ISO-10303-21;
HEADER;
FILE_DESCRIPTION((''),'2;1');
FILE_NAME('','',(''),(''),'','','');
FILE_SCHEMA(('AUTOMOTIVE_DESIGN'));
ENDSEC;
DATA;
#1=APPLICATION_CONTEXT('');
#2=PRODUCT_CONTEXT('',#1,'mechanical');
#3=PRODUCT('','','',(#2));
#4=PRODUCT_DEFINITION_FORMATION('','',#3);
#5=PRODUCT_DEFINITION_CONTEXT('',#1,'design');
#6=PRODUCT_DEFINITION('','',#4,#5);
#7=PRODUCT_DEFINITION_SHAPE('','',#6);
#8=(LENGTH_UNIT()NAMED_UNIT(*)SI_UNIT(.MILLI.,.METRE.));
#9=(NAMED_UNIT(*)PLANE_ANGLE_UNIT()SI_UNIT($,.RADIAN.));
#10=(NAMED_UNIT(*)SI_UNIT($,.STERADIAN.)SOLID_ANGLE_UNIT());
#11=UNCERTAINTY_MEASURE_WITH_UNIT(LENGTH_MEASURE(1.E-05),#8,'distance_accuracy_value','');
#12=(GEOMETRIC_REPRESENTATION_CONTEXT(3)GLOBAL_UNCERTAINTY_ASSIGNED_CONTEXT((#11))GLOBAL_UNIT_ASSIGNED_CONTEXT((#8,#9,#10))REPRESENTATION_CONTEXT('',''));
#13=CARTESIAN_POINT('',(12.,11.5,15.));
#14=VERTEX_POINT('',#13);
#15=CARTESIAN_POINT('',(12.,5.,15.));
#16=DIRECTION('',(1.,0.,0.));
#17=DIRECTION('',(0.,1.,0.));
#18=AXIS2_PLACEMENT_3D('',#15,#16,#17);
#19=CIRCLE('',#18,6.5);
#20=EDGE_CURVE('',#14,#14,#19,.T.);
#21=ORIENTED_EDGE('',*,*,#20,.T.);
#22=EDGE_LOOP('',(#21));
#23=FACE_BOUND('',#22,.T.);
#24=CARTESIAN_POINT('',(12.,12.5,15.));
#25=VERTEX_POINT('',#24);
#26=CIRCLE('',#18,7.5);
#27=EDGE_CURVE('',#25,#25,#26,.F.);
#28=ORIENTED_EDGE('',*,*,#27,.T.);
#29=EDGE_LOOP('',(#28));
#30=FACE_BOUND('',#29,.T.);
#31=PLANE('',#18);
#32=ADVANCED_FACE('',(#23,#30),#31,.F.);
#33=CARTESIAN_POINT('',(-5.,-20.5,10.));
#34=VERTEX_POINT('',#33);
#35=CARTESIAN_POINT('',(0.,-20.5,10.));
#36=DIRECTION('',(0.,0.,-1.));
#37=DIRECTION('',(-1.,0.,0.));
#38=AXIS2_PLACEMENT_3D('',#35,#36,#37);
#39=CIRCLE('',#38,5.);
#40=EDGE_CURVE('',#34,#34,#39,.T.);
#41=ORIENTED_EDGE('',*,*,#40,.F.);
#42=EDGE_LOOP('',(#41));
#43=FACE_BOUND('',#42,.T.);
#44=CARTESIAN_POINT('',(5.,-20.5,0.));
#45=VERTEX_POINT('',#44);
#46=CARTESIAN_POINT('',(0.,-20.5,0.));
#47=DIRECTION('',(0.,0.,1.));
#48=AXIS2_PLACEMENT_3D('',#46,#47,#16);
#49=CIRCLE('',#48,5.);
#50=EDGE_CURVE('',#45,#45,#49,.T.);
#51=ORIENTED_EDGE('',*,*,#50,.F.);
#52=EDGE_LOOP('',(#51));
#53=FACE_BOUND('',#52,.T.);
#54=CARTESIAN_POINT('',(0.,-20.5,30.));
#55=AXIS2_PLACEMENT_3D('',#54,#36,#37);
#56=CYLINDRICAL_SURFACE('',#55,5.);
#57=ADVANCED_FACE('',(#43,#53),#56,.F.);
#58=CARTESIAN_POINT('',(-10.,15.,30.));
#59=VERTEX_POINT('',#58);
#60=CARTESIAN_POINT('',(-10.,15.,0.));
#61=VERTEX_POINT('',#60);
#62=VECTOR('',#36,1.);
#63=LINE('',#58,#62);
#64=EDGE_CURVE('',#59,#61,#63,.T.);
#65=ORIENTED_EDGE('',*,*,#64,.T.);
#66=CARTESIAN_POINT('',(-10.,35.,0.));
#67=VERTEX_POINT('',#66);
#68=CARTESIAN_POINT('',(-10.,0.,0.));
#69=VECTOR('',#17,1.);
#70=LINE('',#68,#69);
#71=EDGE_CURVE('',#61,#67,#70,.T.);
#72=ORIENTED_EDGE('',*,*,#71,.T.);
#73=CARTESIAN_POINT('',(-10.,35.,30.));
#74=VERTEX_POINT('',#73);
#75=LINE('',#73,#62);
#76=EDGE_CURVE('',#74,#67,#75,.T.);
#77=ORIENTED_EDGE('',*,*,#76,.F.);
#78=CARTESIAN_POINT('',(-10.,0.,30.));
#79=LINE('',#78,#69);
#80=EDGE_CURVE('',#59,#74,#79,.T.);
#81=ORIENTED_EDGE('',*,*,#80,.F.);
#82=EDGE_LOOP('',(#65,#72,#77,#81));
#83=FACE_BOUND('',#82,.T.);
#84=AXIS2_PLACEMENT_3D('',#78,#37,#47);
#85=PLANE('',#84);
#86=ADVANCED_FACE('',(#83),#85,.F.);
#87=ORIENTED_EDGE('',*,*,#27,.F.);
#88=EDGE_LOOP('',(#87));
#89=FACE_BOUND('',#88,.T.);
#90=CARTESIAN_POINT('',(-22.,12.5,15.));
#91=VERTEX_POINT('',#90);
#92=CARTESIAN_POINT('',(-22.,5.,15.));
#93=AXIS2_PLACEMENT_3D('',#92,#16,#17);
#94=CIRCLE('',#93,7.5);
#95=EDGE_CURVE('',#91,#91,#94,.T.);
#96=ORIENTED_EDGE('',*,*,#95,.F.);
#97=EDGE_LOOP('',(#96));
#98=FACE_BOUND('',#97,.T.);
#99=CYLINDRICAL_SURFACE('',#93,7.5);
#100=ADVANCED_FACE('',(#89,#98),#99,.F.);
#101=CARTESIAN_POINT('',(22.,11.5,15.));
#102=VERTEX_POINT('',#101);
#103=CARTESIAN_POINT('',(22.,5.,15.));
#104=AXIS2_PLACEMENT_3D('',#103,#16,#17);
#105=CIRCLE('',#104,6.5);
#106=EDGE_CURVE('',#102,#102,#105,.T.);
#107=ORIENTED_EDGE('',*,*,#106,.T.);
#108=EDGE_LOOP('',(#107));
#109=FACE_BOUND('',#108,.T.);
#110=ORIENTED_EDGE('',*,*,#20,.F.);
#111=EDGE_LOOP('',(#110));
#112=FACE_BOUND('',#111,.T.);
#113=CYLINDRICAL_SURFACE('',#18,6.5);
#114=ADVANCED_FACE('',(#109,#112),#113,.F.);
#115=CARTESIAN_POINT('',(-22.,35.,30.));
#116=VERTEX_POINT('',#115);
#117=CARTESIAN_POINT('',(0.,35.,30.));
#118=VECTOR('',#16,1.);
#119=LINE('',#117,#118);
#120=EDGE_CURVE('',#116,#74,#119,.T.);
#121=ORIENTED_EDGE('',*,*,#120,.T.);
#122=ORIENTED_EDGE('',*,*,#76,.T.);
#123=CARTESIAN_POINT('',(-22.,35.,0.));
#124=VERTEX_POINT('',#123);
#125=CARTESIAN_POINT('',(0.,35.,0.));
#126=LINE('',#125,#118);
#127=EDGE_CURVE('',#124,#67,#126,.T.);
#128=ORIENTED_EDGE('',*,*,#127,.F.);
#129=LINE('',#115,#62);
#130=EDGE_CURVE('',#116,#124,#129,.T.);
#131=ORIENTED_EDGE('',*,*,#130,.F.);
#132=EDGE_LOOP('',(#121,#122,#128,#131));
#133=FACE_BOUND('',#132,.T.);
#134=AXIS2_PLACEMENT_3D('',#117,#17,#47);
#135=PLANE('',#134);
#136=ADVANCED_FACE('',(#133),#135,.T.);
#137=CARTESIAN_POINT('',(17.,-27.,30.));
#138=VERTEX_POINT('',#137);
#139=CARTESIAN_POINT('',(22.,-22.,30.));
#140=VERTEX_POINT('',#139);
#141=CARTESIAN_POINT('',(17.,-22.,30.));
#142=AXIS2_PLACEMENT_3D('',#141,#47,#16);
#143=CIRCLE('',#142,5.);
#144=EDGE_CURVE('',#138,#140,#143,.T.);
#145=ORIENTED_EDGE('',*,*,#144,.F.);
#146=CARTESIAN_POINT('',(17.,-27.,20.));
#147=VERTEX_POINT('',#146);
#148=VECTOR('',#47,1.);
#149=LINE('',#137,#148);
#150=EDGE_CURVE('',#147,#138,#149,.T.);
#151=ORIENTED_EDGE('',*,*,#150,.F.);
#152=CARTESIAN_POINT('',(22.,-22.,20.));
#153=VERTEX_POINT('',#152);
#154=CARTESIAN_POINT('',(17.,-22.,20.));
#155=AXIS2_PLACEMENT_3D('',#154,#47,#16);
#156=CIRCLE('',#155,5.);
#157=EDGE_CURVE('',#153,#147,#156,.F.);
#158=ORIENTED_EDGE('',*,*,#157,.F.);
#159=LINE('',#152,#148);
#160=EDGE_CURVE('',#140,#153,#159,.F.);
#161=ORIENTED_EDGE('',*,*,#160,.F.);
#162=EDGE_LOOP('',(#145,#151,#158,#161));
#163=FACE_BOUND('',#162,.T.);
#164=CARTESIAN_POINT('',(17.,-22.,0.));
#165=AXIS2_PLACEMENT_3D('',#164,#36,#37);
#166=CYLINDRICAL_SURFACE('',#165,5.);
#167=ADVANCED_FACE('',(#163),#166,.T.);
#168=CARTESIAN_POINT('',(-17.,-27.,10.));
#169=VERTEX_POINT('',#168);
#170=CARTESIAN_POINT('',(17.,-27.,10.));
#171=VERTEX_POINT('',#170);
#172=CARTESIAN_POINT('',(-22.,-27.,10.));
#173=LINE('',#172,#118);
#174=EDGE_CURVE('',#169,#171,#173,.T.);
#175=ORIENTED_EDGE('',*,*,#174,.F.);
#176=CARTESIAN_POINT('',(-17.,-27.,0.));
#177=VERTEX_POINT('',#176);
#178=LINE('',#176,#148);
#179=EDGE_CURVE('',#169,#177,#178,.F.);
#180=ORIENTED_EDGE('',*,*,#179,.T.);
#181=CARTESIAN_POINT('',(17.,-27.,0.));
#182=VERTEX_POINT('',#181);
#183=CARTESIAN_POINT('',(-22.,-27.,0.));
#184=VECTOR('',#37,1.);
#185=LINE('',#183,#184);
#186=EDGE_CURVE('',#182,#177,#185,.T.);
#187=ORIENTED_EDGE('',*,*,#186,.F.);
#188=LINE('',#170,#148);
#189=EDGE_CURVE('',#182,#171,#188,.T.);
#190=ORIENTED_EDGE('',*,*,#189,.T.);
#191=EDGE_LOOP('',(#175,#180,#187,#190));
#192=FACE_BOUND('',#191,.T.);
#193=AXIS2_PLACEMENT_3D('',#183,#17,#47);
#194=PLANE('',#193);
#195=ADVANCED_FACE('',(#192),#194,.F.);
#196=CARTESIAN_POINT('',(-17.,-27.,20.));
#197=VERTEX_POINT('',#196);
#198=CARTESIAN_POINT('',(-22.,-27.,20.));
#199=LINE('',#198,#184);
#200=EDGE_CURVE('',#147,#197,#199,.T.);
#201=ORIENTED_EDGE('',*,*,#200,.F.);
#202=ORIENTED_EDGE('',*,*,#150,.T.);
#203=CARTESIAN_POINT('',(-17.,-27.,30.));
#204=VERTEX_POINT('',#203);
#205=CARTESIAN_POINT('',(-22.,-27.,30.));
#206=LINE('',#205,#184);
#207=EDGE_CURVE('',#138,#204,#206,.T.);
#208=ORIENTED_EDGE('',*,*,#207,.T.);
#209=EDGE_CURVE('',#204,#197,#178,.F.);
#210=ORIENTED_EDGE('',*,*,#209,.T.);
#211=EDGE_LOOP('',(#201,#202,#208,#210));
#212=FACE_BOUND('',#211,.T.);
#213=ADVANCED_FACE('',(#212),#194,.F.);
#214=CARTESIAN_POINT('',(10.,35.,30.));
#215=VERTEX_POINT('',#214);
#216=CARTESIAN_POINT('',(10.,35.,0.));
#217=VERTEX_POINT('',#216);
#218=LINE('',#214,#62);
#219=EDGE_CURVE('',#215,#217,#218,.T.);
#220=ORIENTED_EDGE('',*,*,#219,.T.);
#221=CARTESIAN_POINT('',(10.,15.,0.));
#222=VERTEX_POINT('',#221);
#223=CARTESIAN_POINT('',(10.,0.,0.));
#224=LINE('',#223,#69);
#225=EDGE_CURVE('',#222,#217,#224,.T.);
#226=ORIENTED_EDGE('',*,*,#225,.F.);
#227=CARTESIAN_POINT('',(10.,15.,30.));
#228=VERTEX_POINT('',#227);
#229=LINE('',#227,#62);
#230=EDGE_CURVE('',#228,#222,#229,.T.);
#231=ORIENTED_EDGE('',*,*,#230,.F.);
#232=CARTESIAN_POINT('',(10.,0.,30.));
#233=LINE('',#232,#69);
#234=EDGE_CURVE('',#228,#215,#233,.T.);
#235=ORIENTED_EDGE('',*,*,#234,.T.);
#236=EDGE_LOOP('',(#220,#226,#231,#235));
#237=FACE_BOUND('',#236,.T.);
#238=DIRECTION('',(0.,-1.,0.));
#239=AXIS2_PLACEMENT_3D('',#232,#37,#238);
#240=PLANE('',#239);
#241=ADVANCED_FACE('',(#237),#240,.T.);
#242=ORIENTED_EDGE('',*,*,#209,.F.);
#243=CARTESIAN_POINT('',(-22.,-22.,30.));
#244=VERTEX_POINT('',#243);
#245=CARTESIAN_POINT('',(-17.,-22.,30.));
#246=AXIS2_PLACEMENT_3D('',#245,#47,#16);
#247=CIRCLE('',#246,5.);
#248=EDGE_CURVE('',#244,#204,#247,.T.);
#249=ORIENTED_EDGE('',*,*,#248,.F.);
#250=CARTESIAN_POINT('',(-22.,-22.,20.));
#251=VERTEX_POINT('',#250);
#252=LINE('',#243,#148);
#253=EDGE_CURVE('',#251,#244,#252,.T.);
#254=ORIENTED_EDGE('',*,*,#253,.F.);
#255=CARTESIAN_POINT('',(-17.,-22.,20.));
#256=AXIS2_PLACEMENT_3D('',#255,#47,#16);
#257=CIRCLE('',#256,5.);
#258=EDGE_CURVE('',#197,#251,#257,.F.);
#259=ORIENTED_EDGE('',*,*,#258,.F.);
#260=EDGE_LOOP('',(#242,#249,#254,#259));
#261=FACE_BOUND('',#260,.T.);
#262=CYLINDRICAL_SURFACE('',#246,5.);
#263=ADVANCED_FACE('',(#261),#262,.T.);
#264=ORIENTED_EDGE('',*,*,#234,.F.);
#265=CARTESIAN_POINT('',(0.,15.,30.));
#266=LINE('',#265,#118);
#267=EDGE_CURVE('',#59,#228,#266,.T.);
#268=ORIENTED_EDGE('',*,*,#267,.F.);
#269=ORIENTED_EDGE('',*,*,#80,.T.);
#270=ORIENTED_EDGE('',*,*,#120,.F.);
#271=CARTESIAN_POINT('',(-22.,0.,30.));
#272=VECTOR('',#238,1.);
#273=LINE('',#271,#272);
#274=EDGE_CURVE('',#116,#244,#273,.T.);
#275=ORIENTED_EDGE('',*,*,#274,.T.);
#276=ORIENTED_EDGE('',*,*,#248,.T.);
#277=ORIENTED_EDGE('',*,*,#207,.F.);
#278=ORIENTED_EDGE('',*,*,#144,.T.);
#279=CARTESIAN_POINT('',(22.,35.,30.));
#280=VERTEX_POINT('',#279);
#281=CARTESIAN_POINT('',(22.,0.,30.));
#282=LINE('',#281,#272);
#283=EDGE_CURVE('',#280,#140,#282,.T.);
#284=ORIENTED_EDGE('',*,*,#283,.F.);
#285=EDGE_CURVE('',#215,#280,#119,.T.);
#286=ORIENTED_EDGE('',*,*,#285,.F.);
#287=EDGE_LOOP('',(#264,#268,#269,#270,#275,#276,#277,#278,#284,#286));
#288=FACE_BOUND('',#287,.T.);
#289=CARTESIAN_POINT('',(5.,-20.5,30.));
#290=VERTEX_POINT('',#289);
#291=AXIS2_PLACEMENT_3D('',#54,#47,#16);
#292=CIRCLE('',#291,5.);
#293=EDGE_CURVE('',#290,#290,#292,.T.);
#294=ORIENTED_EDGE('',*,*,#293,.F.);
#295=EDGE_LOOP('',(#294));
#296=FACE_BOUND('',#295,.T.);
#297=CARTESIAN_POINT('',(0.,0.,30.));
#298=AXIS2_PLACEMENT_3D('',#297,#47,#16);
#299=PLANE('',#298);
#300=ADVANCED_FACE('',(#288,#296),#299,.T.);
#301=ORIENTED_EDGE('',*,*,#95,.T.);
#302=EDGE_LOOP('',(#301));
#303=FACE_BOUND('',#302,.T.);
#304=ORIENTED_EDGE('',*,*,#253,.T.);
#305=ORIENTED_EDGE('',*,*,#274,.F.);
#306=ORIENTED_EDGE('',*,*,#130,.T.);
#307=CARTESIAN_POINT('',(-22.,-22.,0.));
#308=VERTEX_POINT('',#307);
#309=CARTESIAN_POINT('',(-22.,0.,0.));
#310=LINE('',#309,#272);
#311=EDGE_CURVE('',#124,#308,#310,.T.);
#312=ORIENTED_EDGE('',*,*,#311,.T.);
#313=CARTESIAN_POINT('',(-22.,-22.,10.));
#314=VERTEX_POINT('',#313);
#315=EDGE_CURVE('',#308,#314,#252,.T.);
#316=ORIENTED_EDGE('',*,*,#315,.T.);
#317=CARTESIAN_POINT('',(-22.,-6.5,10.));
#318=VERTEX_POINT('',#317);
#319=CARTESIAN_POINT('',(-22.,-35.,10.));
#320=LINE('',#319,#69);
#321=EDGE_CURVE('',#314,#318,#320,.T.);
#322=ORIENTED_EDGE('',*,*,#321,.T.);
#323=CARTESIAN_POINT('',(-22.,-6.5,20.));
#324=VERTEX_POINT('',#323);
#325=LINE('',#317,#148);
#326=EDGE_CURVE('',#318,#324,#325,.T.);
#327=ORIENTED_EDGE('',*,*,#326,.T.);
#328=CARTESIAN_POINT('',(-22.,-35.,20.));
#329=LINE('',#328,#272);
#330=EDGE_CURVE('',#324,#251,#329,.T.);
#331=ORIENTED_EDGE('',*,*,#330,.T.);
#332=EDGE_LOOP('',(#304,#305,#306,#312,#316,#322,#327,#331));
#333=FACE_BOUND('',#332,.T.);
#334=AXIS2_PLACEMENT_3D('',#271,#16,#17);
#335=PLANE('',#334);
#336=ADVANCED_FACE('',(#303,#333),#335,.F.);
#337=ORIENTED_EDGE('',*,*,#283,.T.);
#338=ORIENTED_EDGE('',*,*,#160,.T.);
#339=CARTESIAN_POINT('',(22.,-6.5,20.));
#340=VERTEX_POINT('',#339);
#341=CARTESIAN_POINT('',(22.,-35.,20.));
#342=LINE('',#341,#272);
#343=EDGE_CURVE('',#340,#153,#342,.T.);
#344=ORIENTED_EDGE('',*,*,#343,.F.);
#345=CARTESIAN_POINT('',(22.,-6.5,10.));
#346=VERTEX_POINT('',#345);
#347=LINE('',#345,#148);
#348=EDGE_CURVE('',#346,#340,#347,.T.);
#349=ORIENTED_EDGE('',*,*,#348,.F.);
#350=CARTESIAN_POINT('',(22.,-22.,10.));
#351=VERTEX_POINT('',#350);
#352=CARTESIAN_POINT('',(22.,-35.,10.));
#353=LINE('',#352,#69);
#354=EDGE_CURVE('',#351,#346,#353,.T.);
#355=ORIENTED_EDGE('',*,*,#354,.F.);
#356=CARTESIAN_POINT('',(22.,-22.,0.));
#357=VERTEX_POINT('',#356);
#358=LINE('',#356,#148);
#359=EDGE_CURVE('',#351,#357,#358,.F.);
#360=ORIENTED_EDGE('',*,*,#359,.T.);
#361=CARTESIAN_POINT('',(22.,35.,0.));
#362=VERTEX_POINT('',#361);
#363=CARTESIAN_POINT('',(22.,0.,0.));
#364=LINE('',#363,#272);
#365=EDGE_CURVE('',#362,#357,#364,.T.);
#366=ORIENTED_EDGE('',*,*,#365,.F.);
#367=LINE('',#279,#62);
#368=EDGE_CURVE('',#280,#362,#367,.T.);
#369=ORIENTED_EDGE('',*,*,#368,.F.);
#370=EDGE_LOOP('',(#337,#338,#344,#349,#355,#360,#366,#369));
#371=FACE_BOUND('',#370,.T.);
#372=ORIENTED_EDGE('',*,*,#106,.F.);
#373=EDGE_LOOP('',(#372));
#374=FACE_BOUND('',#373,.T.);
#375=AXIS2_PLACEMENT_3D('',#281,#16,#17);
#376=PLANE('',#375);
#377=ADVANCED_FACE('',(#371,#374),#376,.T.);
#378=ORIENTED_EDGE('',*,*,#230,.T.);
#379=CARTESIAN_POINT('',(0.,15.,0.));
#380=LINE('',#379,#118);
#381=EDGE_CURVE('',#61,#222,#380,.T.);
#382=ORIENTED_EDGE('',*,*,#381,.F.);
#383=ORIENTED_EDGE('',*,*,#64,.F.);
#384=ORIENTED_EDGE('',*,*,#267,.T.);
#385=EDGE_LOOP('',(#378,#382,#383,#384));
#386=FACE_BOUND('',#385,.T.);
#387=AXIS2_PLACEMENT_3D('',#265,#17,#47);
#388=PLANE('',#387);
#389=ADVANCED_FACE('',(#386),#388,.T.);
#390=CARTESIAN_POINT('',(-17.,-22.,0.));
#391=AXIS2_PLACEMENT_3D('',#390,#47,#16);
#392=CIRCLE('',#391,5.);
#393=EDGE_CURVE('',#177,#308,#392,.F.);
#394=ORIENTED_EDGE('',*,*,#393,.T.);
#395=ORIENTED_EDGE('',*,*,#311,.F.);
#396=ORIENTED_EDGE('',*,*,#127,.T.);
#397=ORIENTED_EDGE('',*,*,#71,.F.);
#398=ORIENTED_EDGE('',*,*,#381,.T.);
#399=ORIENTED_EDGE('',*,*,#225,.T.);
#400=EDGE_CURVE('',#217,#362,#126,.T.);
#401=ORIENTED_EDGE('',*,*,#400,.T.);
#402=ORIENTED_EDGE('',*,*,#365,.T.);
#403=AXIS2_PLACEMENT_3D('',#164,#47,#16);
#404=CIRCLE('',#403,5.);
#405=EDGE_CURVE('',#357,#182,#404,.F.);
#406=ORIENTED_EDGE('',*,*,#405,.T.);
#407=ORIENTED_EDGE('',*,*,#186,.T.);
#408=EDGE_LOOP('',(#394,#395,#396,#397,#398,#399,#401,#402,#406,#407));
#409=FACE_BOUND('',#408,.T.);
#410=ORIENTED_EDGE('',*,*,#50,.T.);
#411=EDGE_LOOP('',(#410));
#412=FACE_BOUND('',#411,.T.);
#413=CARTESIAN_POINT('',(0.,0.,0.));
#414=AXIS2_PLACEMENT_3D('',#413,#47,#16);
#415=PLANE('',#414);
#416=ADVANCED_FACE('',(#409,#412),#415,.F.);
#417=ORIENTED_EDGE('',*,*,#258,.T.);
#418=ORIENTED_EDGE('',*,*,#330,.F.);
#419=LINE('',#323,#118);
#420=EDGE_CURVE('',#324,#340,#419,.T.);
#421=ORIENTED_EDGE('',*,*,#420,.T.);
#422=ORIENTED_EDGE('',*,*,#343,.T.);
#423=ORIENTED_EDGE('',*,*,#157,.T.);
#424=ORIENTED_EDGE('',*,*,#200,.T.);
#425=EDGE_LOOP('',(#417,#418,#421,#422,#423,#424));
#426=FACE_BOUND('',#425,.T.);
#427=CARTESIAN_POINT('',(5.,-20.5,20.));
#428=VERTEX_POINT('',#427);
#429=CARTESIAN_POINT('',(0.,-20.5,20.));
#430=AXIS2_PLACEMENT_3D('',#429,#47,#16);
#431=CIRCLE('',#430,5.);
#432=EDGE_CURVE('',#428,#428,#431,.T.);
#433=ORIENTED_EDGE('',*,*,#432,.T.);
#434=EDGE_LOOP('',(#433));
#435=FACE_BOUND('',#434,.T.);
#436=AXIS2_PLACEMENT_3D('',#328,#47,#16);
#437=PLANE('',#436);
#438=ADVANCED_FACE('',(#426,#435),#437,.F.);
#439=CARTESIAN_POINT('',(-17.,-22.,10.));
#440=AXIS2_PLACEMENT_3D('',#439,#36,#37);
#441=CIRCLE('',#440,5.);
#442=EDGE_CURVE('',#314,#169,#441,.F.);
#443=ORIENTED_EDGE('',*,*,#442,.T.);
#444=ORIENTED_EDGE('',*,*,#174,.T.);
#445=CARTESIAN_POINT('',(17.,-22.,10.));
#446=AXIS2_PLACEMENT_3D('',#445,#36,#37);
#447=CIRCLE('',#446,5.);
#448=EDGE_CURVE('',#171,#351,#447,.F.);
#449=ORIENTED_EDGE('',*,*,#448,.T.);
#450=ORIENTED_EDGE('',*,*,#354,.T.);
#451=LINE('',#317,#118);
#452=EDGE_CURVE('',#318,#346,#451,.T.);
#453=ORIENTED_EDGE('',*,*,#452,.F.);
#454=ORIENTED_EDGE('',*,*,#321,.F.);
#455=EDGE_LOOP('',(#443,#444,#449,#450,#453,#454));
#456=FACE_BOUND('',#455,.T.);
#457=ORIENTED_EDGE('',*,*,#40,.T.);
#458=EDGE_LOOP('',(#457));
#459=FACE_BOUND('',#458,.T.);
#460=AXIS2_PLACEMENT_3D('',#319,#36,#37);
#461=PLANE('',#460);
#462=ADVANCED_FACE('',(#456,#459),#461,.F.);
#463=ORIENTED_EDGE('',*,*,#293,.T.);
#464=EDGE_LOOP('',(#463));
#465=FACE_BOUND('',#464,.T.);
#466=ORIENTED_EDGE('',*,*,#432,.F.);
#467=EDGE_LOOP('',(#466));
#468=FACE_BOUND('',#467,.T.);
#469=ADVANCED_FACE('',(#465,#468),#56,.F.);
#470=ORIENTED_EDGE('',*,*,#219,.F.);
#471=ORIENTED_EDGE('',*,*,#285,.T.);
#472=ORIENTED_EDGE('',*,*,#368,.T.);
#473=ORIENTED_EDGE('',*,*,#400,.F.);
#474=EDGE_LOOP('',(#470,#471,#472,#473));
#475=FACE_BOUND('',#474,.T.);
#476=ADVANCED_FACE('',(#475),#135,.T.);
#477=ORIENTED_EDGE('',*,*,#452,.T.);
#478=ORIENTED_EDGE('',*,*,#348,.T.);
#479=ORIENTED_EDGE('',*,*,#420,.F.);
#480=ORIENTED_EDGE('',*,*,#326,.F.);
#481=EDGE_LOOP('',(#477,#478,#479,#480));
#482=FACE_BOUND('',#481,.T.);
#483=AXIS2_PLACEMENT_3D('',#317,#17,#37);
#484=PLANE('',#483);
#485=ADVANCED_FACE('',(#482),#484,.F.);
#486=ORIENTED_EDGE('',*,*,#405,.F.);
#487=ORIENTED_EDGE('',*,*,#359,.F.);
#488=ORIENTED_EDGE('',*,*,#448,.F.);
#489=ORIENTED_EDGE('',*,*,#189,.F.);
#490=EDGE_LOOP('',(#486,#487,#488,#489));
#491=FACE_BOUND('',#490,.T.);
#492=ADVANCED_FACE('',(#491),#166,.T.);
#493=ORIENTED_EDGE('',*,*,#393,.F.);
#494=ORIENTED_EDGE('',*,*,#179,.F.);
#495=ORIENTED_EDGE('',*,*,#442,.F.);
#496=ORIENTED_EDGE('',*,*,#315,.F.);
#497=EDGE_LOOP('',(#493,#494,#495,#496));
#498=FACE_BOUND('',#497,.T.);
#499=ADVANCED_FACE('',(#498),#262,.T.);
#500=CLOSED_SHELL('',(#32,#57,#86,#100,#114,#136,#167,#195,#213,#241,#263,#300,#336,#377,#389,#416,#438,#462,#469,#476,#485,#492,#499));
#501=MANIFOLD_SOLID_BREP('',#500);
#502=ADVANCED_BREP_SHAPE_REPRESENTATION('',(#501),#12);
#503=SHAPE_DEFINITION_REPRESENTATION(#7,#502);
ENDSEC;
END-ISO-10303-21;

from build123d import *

# Parameters (mm, degrees)
CROQUIS1_R              = 5
BASE_DEPTH              = 30
CROQUIS4_R              = 7.5
CORTAR_EXTRUIR3_DEPTH   = 64.725975865
CROQUIS7_W              = 10
CROQUIS7_H              = 28.5
CORTAR_EXTRUIR6_DEPTH   = 64.725975865
CROQUIS8_W              = 44
CROQUIS8_H              = 8
CORTAR_EXTRUIR7_DEPTH   = 52.078371156
REDONDEO3_R             = 5
CROQUIS10_R             = 7.5
CROQUIS10_R_2           = 6.5
SALIENTE_EXTRUIR2_DEPTH = 10


with BuildPart() as part:
    # Croquis1 → Base (new body)
    with BuildSketch(Plane.XY):
        Polygon((-10, 35), (-22, 35), (-22, -35), (22, -35), (22, 35), (10, 35), (10, 15), (-10, 15), align=None)
        with Locations((0, -20.5)):
            Circle(CROQUIS1_R, mode=Mode.SUBTRACT)
    extrude(amount=BASE_DEPTH)

    # Croquis4 → Cortar-Extruir3 (cut, through all)
    with BuildSketch(Plane(origin=(22, 0, 0), x_dir=(0, 0, -1), z_dir=(1, 0, 0))):
        with Locations(Location((-15, 5, 0), (0, 0, 90))):
            Circle(CROQUIS4_R)
    extrude(amount=-CORTAR_EXTRUIR3_DEPTH, mode=Mode.SUBTRACT)

    # Croquis7 → Cortar-Extruir6 (cut, through all)
    with BuildSketch(Plane(origin=(22, 0, 0), x_dir=(0, 0, -1), z_dir=(1, 0, 0))):
        with Locations((-15, -20.75)):
            Rectangle(CROQUIS7_W, CROQUIS7_H)
    extrude(amount=-CORTAR_EXTRUIR6_DEPTH, mode=Mode.SUBTRACT)

    # Croquis8 → Cortar-Extruir7 (cut, through all)
    with BuildSketch(Plane.XY.offset(30)):
        with Locations((0, -31)):
            Rectangle(CROQUIS8_W, CROQUIS8_H)
    extrude(amount=-CORTAR_EXTRUIR7_DEPTH, mode=Mode.SUBTRACT)

    # Redondeo3
    redondeo3_edges = [part.edges().sort_by_distance(p)[0] for p in [
        (-22, -27, 25),
        (-22, -27, 5),
        (22, -27, 25),
        (22, -27, 5),
    ]]
    fillet(redondeo3_edges, radius=REDONDEO3_R)

    # Croquis10 → Saliente-Extruir2 (add)
    with BuildSketch(Plane(origin=(22, 0, 0), x_dir=(0, 0, -1), z_dir=(1, 0, 0))):
        with Locations(Location((-15, 5, 0), (0, 0, 90))):
            Circle(CROQUIS10_R)
        with Locations(Location((-15, 5, 0), (0, 0, 90))):
            Circle(CROQUIS10_R_2, mode=Mode.SUBTRACT)
    extrude(amount=-SALIENTE_EXTRUIR2_DEPTH)


solid = part.part
